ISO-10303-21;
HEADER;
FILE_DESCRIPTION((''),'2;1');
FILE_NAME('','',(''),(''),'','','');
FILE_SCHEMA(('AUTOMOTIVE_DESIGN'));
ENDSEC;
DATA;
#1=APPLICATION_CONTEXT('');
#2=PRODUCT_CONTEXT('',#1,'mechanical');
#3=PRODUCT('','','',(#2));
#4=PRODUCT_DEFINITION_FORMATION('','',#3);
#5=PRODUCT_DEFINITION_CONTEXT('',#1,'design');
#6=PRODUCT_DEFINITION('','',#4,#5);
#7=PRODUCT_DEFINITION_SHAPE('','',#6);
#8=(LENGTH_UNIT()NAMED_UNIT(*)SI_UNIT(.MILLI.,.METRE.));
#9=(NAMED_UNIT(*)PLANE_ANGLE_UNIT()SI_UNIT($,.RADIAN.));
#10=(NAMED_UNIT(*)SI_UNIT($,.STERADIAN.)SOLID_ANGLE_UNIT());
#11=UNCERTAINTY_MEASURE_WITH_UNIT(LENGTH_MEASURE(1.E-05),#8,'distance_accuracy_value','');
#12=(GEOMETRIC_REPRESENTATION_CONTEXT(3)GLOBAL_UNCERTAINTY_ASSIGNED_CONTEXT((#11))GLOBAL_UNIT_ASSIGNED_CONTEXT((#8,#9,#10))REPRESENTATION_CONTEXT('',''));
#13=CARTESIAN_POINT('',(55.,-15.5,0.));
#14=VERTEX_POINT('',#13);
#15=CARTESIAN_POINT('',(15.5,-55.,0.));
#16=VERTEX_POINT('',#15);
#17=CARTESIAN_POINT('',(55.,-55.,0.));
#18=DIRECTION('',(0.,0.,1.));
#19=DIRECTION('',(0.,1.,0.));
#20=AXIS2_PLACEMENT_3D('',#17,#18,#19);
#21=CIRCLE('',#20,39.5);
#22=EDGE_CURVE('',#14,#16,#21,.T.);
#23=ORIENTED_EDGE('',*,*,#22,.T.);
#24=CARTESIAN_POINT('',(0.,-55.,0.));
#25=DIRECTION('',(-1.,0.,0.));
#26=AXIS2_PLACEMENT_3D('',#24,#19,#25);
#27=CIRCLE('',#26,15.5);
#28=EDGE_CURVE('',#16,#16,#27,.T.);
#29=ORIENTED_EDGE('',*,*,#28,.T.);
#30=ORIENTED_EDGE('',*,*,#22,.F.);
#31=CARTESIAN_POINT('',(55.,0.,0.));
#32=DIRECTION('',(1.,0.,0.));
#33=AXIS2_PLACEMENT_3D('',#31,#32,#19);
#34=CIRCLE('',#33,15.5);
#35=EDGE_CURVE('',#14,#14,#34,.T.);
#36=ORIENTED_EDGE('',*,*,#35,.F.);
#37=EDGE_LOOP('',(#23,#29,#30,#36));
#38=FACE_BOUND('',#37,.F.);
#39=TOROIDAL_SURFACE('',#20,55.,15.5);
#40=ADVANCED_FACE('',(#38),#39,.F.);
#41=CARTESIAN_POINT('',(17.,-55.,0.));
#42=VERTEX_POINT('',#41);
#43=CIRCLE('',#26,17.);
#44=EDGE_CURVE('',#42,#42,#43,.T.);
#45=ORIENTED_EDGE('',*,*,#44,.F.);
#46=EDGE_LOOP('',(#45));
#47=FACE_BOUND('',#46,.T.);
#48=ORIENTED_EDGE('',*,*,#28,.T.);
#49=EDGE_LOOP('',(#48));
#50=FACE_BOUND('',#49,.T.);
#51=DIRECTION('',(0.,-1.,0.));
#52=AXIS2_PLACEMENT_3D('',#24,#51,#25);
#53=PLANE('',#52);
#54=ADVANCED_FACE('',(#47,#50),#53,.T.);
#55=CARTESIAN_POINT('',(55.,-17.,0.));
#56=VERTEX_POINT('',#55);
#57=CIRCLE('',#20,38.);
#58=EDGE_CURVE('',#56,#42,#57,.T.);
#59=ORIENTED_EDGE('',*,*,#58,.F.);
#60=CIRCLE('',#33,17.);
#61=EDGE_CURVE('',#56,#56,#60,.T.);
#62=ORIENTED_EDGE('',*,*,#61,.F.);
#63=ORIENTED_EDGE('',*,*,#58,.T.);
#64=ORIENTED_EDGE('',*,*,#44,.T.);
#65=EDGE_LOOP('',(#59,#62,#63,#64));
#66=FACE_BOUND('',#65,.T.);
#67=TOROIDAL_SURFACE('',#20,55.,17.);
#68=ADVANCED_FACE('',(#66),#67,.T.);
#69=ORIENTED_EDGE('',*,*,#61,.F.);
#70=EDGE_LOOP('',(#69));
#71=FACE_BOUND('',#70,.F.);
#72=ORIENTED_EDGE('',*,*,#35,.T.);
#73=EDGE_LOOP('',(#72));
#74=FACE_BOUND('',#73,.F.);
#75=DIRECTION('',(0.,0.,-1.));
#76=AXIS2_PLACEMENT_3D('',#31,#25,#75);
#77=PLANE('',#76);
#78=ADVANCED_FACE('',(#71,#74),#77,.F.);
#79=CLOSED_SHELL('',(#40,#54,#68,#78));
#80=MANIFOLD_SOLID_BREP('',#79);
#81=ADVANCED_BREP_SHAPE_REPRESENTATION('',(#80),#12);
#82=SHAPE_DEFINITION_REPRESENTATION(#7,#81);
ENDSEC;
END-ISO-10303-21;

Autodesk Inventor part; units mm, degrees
ref_plane "YZ Plane" through (0, 0, 0) normal (1, 0, 0) x (0, 1, 0)
ref_plane "XZ Plane" through (0, 0, 0) normal (0, 1, 0) x (-1, 0, 0)
sketch "Szkic6" plane through (0, 0, 0) normal (0, 0, 1) x (1, 0, 0)
  line L0 (-29.6067, 0) -> (35.2678, 0) construction
  line L1 (0, 42.3419) -> (0, -58.3726) construction
  arc A0 (55, 0) -> (0, -55) centre (55, -55) ccw
  line L2 (0, -55) -> (55, -55) construction
  line L3 (55, -55) -> (55, 10.5331) construction
  line L4 (55, 0) -> (55, 0)
  line L5 (0, -55) -> (0, -55)
  point P0 (0, 0)
  dimension "d24" = 55
  dimension "d31" = 90
  dimension "d36" = 0
  dimension "d37" = 0
ref_plane "Płaszczyzna konstrukcyjna2" through (0, -55, 0) normal (0, -1, 0) x (1, 0, 0)
sketch "Szkic8" plane through (0, -55, 0) normal (0, -1, 0) x (1, 0, 0)
  circle A0 centre (0, 0) radius 17
  circle A1 centre (0, 0) radius 15.5
  dimension "d32" = 34
  dimension "d33" = 1.5
sweep "Przeciągnięcie2" add profiles "Szkic8" path "Szkic6"
equation "\"d32\" = OD"
equation "\"d33\" = THK"
equation "\"d24\" = R"
equation "\"d31\" = KAT"
equation "\"SzerokośćGięciaPodcięcia\" = Grubość"
equation "\"RozmiarPodcięciaNarożnika\" = 4 * Grubość"
equation "\"PromieńPrzejścia\" = PromieńGięcia"
equation "\"Rozmiar_promienia_Jacobiego\" = PromieńGięcia"
equation "\"Wielk_odstępu\" = Grubość"
equation "\"d2\" = PromieńGięcia"
equation "\"d23\" = PromieńGięcia"
equation "\"R\" = 55"
equation "\"OD\" = 34"
equation "\"THK\" = 1.5"
equation "\"KAT\" = 90deg"
equation "\"PROSTKA\" = 0"
equation "\"Grubość\" = 1.5"
equation "\"PromieńGięcia\" = 3"
properties part number "Kolano 90° ø34x1,5 R55" material "304L"
